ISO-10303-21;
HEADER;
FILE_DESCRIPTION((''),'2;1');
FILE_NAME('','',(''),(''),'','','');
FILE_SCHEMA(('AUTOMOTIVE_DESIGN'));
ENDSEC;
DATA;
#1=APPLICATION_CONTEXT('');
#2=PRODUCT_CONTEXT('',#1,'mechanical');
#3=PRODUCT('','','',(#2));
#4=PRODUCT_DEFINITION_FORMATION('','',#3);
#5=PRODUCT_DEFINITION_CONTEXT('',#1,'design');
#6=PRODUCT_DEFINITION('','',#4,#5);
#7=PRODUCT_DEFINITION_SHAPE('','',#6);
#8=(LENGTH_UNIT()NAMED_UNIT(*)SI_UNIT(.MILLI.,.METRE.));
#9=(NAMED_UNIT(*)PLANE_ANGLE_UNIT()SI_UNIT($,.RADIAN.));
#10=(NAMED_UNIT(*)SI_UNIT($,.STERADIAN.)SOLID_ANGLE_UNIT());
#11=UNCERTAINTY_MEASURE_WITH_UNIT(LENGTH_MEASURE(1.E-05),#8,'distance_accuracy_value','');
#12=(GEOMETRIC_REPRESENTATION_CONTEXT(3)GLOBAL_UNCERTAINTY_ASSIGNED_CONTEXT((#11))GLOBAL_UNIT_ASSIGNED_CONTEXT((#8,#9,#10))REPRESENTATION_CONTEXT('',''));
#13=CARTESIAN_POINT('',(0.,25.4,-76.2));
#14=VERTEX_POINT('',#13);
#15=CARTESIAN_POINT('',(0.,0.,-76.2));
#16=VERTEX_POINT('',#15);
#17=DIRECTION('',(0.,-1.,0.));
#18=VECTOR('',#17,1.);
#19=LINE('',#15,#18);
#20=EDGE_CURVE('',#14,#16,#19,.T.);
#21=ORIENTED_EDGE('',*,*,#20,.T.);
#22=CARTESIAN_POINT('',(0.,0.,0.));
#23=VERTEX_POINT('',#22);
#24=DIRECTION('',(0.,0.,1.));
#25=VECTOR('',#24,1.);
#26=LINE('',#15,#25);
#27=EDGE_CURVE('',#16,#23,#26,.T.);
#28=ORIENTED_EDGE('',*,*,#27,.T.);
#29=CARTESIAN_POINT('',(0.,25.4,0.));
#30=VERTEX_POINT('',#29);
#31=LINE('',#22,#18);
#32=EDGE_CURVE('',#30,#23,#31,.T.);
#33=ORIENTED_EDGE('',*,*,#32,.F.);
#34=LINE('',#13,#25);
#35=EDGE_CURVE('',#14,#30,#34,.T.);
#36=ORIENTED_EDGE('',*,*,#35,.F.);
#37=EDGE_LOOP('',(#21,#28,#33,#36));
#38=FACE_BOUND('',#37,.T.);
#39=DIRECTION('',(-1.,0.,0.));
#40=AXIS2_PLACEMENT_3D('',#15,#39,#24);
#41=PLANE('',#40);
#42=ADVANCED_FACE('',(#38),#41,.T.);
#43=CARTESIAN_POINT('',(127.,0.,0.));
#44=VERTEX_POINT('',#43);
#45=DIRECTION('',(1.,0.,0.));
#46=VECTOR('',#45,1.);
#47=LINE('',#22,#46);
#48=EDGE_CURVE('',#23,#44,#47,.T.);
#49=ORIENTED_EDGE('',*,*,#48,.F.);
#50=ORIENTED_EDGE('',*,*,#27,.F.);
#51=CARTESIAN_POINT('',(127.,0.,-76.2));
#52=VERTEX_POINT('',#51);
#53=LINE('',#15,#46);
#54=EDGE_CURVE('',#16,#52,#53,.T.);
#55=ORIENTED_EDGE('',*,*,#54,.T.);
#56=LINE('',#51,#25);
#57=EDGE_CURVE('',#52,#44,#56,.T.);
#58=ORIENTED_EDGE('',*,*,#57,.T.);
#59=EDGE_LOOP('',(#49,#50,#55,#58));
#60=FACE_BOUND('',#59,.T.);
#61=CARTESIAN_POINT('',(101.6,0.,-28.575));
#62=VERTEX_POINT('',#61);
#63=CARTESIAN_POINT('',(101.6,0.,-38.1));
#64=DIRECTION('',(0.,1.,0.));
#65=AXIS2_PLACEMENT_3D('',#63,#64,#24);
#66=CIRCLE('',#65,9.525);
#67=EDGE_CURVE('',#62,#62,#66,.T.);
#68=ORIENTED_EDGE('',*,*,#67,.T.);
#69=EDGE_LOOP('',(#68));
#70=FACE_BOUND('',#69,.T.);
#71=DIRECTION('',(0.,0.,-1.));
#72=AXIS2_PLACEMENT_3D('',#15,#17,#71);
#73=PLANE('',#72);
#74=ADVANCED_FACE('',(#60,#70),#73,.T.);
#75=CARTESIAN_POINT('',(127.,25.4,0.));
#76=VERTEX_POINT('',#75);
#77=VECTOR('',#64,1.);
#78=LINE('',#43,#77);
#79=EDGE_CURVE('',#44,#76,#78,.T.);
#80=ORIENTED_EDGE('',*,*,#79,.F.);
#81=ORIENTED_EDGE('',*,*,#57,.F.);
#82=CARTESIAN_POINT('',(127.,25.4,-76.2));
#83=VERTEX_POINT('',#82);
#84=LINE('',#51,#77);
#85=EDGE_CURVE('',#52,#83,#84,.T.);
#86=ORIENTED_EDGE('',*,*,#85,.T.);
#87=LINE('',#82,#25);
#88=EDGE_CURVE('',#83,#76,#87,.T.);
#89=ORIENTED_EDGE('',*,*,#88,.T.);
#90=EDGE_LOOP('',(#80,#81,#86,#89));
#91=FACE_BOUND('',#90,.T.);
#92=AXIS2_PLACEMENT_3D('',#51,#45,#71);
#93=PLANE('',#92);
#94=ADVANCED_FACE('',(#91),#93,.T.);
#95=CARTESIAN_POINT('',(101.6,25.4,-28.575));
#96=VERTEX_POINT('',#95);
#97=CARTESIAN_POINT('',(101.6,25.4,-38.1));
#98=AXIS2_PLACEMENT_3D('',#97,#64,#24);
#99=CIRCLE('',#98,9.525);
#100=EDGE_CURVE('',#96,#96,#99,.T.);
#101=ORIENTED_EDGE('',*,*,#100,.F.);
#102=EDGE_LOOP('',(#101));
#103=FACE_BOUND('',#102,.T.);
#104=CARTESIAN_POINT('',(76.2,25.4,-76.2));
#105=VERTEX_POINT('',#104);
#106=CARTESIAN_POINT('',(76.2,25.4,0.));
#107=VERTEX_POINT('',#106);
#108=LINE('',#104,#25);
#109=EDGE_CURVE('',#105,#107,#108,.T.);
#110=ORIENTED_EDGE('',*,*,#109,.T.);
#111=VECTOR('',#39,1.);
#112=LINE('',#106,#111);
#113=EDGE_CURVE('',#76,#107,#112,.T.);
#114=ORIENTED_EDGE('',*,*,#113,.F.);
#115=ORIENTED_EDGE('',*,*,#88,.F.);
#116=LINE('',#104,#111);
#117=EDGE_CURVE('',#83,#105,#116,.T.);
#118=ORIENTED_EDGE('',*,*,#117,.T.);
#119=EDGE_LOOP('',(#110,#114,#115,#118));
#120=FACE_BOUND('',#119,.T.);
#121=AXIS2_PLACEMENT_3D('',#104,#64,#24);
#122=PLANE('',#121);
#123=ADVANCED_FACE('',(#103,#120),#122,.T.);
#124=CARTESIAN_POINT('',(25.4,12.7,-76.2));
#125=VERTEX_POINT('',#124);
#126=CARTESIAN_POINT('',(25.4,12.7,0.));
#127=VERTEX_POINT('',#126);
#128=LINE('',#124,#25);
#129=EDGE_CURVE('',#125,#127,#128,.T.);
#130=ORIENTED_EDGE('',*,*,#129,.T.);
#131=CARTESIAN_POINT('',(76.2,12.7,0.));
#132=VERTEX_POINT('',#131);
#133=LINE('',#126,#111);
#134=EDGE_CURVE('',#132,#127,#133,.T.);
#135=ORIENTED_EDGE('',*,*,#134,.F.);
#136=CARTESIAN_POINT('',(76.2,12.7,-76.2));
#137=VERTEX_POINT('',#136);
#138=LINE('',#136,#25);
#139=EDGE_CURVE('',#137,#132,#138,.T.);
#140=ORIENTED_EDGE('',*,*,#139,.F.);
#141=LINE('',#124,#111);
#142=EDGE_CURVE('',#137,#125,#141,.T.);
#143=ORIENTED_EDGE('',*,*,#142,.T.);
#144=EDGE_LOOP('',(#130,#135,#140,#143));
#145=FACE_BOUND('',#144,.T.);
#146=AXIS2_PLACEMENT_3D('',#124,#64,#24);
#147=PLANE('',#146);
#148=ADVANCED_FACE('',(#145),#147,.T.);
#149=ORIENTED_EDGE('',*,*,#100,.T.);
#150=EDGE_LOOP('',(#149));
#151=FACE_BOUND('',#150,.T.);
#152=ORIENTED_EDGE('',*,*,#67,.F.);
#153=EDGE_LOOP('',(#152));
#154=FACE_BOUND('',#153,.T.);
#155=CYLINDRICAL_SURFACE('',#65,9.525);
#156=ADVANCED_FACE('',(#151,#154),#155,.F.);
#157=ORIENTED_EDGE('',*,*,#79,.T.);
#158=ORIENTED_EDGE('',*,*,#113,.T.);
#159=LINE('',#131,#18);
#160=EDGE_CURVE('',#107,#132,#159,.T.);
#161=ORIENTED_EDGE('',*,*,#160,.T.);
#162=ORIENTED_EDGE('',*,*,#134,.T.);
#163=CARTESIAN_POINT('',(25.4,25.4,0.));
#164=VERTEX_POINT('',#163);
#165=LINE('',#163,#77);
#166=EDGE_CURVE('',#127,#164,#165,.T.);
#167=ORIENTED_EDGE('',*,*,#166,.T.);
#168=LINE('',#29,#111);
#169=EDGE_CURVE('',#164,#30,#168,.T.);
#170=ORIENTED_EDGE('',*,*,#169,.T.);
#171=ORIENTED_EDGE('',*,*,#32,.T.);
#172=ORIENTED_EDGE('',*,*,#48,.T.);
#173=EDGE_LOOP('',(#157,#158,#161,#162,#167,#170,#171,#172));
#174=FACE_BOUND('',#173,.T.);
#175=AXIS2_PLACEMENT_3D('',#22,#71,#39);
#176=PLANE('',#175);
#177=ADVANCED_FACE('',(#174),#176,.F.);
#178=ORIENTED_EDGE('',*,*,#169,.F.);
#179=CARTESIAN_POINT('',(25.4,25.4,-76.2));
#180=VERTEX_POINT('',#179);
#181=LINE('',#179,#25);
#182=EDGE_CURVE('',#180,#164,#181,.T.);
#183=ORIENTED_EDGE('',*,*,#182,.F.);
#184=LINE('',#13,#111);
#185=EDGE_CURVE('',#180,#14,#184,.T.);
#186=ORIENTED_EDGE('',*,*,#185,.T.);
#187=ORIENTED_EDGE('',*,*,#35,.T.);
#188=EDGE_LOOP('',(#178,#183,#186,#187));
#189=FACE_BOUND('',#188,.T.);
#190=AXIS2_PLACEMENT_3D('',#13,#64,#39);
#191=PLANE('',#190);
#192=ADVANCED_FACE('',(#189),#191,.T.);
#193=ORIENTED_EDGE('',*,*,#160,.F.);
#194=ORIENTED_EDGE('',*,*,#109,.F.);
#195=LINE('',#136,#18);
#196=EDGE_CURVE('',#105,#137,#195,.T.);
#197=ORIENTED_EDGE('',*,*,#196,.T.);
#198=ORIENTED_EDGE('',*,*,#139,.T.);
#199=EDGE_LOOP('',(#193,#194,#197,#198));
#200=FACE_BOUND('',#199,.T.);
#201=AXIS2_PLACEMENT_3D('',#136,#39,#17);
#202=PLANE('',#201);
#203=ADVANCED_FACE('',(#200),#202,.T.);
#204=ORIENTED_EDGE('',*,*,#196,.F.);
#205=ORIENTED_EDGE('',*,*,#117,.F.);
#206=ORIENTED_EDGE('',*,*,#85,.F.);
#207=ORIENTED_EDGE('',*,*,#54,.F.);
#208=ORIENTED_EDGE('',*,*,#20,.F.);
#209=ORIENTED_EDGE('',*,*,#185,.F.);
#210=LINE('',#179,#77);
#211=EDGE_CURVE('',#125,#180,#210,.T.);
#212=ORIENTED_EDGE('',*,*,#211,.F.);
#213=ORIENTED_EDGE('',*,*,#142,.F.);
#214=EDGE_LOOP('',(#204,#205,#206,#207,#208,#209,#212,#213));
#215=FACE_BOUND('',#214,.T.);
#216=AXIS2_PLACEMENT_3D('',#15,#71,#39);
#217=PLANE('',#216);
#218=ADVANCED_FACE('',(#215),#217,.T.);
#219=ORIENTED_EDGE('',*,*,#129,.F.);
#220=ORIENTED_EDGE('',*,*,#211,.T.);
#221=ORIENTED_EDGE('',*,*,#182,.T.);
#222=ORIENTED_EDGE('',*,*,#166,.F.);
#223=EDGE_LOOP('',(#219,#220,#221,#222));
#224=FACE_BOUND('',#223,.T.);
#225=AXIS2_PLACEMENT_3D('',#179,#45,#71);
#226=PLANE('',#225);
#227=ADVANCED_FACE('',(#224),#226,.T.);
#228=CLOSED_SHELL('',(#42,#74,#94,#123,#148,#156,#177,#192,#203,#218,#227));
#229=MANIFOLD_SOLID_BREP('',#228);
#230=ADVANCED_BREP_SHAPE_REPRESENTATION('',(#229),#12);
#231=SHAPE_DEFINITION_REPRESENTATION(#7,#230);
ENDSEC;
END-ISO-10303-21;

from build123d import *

# Parameters (mm, degrees)
BOSS_EXTRUDE1_DEPTH = 76.2
SKETCH3_R           = 9.525
CUT_EXTRUDE1_DEPTH  = 151.268426491


with BuildPart() as part:
    # Sketch2 → Boss-Extrude1 (new body)
    with BuildSketch(Plane.XY):
        Polygon((25.4, 25.4), (25.4, 12.7), (76.2, 12.7), (76.2, 25.4), (127, 25.4), (127, 0), (0, 0), (0, 25.4), align=None)
    extrude(amount=-BOSS_EXTRUDE1_DEPTH)

    # Sketch3 → Cut-Extrude1 (cut, through all)
    with BuildSketch(Plane(origin=(0, 25.4, 0), x_dir=(1, 0, 0), z_dir=(0, 1, 0))):
        with Locations(Location((101.6, 38.1, 0), (0, 0, 270))):
            Circle(SKETCH3_R)
    extrude(amount=-CUT_EXTRUDE1_DEPTH, mode=Mode.SUBTRACT)


solid = part.part
